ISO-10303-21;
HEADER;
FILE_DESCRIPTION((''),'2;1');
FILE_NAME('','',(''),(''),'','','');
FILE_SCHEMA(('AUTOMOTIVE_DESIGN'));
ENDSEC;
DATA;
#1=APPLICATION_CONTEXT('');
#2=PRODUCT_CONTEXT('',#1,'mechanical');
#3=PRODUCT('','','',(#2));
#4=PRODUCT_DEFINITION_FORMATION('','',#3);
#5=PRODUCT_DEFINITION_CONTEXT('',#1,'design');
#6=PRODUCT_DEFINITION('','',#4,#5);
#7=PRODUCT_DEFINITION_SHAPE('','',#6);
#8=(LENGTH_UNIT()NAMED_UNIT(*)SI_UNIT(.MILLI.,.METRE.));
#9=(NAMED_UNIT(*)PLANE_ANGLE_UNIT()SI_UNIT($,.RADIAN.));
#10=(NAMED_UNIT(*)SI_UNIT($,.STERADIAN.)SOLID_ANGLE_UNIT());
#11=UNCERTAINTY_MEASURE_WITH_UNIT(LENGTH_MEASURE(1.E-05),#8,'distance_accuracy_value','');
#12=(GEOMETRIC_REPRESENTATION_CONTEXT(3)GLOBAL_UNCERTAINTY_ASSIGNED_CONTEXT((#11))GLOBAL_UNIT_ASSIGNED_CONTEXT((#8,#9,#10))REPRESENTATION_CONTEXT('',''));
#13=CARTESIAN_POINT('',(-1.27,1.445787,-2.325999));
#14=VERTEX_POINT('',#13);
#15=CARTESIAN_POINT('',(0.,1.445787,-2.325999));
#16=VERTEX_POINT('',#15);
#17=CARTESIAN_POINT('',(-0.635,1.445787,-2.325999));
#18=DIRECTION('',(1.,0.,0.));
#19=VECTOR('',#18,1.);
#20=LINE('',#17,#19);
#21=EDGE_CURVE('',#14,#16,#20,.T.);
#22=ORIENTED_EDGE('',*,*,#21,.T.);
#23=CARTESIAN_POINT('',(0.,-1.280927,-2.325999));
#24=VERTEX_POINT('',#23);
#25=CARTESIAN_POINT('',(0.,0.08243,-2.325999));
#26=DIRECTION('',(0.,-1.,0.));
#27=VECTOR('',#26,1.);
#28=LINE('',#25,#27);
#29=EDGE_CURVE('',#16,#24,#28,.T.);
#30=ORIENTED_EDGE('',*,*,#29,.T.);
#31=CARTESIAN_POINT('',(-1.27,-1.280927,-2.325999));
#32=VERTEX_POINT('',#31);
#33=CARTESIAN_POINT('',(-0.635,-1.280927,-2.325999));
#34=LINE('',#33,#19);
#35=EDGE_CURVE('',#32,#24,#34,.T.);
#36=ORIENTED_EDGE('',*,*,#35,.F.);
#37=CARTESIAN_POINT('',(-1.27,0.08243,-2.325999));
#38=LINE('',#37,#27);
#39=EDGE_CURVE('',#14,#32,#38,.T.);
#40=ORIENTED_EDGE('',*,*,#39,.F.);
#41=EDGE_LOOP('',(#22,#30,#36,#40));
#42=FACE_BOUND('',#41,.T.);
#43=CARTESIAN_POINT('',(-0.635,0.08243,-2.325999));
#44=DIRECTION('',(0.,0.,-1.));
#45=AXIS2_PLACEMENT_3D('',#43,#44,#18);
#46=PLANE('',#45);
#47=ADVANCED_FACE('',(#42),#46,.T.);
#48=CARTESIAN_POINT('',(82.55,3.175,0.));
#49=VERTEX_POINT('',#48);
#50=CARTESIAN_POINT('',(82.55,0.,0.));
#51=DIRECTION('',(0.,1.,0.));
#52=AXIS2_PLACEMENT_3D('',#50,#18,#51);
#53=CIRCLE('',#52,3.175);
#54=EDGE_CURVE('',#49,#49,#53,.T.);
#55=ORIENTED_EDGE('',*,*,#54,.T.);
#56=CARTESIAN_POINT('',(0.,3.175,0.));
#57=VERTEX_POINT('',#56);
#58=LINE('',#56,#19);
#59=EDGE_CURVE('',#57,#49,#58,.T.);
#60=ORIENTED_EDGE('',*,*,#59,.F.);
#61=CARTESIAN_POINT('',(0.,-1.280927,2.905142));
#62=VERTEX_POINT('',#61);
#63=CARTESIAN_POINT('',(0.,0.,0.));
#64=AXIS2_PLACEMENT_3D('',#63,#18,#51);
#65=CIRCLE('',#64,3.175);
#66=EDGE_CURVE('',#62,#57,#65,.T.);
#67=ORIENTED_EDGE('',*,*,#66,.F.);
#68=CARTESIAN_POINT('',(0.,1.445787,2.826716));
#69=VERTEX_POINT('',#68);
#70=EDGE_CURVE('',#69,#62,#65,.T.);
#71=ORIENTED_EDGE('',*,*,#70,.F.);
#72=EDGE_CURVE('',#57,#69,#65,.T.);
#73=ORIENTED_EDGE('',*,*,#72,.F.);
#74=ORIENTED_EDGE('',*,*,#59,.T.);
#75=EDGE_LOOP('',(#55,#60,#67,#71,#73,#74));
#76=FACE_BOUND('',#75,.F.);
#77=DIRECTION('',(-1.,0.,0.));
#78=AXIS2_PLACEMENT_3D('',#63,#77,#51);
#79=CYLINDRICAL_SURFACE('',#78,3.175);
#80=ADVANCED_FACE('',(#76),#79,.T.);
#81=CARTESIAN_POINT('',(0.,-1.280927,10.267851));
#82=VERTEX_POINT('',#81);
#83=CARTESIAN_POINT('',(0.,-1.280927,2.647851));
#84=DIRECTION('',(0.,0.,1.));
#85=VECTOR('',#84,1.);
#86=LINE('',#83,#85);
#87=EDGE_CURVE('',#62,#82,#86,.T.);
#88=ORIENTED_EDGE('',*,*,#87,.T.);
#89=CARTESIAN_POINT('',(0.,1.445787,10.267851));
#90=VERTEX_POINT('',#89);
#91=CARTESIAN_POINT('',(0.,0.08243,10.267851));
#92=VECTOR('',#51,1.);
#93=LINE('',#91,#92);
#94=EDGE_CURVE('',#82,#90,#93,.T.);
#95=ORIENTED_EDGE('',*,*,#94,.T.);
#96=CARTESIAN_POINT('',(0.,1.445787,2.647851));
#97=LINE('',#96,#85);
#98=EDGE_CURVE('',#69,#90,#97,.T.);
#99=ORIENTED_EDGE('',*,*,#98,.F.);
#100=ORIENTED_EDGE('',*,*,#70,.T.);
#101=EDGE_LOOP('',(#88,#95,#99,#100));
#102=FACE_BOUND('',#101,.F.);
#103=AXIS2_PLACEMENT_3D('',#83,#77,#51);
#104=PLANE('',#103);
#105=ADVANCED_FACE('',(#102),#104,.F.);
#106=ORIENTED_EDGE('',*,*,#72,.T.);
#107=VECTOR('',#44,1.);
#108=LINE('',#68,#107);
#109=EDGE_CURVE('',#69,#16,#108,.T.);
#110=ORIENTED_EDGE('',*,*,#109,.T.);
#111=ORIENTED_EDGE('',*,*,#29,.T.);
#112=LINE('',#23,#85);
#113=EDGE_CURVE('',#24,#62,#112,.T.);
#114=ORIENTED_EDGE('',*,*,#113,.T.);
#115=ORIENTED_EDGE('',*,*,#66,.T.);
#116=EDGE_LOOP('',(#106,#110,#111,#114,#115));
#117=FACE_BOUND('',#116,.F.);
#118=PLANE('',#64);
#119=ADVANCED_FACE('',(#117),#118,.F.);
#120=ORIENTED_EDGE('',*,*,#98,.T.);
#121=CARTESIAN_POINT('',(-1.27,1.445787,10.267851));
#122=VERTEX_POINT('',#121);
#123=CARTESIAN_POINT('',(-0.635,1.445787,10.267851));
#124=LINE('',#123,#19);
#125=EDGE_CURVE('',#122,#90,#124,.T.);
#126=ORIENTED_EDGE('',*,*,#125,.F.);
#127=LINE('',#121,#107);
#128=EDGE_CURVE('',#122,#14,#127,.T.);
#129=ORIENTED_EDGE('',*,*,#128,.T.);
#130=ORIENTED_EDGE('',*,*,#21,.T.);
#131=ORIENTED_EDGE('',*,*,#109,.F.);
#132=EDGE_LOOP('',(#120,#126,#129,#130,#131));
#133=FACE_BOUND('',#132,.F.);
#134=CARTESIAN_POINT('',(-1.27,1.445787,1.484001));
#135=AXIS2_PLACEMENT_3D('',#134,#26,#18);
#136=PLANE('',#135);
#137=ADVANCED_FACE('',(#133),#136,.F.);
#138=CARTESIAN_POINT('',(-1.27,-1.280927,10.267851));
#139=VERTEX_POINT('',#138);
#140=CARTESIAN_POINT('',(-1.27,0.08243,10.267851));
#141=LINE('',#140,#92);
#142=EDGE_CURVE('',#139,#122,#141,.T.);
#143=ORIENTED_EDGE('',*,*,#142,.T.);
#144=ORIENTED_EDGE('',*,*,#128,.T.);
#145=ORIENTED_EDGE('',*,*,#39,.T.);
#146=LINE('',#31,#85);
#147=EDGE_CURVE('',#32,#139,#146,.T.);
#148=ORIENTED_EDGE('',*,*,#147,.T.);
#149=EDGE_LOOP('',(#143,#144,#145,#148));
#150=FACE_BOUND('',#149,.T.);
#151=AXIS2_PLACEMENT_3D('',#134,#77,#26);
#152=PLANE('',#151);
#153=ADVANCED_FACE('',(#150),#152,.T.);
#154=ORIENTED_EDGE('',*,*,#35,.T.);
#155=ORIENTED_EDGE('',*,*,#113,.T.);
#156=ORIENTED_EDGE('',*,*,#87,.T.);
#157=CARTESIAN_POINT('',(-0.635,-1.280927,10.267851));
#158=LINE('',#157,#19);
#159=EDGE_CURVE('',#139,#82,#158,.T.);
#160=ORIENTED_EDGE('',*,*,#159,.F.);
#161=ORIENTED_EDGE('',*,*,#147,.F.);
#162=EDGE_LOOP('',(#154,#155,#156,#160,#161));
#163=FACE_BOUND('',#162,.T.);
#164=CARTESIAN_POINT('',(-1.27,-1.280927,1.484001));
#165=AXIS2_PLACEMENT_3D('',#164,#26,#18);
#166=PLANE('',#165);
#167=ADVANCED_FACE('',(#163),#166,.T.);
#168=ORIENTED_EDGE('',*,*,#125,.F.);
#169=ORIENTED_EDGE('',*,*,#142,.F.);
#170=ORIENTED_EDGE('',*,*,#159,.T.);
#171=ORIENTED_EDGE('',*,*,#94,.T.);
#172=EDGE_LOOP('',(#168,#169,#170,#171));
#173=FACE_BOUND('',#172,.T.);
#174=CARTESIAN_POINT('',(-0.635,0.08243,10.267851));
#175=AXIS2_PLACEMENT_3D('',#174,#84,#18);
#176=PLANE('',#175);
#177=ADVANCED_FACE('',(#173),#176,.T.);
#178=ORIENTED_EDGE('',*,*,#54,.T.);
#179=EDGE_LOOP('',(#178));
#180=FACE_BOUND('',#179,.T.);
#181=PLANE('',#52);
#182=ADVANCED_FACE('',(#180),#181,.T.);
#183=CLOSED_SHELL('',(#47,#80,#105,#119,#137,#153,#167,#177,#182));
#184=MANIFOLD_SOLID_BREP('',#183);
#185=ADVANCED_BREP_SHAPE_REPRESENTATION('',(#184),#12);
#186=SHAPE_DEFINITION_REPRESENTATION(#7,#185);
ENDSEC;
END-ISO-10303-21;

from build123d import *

# Parameters (mm, degrees)
F0_R     = 3.175
F1_DEPTH = 82.55
F2_W     = 2.726714
F2_H     = 1.16385
F3_DEPTH = 1.27
F4_W     = 1.27
F4_H     = 2.726714
F5_DEPTH = 7.62
F6_W     = 1.27
F6_H     = 2.726714
F7_DEPTH = 3.81


with BuildPart() as f1:
    # F0 (on Right) → F1 (new body)
    with BuildSketch(Plane.YZ):
        Circle(F0_R)
    extrude(amount=F1_DEPTH)

    # F2 (on face) → F3 (join)
    with BuildSketch(Plane.YZ):
        with Locations((0.08243, 2.065926)):
            Rectangle(F2_W, F2_H)
    extrude(amount=-F3_DEPTH)

    # F4 (on face) → F5 (join)
    with BuildSketch(Plane.XY.offset(2.647851)):
        with Locations((-0.635, 0.08243)):
            Rectangle(F4_W, F4_H)
    extrude(amount=F5_DEPTH)

    # F6 (on face) → F7 (join)
    with BuildSketch(Plane(origin=(0, 0, 1.484001), x_dir=(1, 0, 0), z_dir=(0, 0, -1))):
        with Locations((-0.635, -0.08243)):
            Rectangle(F6_W, F6_H)
    extrude(amount=F7_DEPTH)


solid = f1.part
